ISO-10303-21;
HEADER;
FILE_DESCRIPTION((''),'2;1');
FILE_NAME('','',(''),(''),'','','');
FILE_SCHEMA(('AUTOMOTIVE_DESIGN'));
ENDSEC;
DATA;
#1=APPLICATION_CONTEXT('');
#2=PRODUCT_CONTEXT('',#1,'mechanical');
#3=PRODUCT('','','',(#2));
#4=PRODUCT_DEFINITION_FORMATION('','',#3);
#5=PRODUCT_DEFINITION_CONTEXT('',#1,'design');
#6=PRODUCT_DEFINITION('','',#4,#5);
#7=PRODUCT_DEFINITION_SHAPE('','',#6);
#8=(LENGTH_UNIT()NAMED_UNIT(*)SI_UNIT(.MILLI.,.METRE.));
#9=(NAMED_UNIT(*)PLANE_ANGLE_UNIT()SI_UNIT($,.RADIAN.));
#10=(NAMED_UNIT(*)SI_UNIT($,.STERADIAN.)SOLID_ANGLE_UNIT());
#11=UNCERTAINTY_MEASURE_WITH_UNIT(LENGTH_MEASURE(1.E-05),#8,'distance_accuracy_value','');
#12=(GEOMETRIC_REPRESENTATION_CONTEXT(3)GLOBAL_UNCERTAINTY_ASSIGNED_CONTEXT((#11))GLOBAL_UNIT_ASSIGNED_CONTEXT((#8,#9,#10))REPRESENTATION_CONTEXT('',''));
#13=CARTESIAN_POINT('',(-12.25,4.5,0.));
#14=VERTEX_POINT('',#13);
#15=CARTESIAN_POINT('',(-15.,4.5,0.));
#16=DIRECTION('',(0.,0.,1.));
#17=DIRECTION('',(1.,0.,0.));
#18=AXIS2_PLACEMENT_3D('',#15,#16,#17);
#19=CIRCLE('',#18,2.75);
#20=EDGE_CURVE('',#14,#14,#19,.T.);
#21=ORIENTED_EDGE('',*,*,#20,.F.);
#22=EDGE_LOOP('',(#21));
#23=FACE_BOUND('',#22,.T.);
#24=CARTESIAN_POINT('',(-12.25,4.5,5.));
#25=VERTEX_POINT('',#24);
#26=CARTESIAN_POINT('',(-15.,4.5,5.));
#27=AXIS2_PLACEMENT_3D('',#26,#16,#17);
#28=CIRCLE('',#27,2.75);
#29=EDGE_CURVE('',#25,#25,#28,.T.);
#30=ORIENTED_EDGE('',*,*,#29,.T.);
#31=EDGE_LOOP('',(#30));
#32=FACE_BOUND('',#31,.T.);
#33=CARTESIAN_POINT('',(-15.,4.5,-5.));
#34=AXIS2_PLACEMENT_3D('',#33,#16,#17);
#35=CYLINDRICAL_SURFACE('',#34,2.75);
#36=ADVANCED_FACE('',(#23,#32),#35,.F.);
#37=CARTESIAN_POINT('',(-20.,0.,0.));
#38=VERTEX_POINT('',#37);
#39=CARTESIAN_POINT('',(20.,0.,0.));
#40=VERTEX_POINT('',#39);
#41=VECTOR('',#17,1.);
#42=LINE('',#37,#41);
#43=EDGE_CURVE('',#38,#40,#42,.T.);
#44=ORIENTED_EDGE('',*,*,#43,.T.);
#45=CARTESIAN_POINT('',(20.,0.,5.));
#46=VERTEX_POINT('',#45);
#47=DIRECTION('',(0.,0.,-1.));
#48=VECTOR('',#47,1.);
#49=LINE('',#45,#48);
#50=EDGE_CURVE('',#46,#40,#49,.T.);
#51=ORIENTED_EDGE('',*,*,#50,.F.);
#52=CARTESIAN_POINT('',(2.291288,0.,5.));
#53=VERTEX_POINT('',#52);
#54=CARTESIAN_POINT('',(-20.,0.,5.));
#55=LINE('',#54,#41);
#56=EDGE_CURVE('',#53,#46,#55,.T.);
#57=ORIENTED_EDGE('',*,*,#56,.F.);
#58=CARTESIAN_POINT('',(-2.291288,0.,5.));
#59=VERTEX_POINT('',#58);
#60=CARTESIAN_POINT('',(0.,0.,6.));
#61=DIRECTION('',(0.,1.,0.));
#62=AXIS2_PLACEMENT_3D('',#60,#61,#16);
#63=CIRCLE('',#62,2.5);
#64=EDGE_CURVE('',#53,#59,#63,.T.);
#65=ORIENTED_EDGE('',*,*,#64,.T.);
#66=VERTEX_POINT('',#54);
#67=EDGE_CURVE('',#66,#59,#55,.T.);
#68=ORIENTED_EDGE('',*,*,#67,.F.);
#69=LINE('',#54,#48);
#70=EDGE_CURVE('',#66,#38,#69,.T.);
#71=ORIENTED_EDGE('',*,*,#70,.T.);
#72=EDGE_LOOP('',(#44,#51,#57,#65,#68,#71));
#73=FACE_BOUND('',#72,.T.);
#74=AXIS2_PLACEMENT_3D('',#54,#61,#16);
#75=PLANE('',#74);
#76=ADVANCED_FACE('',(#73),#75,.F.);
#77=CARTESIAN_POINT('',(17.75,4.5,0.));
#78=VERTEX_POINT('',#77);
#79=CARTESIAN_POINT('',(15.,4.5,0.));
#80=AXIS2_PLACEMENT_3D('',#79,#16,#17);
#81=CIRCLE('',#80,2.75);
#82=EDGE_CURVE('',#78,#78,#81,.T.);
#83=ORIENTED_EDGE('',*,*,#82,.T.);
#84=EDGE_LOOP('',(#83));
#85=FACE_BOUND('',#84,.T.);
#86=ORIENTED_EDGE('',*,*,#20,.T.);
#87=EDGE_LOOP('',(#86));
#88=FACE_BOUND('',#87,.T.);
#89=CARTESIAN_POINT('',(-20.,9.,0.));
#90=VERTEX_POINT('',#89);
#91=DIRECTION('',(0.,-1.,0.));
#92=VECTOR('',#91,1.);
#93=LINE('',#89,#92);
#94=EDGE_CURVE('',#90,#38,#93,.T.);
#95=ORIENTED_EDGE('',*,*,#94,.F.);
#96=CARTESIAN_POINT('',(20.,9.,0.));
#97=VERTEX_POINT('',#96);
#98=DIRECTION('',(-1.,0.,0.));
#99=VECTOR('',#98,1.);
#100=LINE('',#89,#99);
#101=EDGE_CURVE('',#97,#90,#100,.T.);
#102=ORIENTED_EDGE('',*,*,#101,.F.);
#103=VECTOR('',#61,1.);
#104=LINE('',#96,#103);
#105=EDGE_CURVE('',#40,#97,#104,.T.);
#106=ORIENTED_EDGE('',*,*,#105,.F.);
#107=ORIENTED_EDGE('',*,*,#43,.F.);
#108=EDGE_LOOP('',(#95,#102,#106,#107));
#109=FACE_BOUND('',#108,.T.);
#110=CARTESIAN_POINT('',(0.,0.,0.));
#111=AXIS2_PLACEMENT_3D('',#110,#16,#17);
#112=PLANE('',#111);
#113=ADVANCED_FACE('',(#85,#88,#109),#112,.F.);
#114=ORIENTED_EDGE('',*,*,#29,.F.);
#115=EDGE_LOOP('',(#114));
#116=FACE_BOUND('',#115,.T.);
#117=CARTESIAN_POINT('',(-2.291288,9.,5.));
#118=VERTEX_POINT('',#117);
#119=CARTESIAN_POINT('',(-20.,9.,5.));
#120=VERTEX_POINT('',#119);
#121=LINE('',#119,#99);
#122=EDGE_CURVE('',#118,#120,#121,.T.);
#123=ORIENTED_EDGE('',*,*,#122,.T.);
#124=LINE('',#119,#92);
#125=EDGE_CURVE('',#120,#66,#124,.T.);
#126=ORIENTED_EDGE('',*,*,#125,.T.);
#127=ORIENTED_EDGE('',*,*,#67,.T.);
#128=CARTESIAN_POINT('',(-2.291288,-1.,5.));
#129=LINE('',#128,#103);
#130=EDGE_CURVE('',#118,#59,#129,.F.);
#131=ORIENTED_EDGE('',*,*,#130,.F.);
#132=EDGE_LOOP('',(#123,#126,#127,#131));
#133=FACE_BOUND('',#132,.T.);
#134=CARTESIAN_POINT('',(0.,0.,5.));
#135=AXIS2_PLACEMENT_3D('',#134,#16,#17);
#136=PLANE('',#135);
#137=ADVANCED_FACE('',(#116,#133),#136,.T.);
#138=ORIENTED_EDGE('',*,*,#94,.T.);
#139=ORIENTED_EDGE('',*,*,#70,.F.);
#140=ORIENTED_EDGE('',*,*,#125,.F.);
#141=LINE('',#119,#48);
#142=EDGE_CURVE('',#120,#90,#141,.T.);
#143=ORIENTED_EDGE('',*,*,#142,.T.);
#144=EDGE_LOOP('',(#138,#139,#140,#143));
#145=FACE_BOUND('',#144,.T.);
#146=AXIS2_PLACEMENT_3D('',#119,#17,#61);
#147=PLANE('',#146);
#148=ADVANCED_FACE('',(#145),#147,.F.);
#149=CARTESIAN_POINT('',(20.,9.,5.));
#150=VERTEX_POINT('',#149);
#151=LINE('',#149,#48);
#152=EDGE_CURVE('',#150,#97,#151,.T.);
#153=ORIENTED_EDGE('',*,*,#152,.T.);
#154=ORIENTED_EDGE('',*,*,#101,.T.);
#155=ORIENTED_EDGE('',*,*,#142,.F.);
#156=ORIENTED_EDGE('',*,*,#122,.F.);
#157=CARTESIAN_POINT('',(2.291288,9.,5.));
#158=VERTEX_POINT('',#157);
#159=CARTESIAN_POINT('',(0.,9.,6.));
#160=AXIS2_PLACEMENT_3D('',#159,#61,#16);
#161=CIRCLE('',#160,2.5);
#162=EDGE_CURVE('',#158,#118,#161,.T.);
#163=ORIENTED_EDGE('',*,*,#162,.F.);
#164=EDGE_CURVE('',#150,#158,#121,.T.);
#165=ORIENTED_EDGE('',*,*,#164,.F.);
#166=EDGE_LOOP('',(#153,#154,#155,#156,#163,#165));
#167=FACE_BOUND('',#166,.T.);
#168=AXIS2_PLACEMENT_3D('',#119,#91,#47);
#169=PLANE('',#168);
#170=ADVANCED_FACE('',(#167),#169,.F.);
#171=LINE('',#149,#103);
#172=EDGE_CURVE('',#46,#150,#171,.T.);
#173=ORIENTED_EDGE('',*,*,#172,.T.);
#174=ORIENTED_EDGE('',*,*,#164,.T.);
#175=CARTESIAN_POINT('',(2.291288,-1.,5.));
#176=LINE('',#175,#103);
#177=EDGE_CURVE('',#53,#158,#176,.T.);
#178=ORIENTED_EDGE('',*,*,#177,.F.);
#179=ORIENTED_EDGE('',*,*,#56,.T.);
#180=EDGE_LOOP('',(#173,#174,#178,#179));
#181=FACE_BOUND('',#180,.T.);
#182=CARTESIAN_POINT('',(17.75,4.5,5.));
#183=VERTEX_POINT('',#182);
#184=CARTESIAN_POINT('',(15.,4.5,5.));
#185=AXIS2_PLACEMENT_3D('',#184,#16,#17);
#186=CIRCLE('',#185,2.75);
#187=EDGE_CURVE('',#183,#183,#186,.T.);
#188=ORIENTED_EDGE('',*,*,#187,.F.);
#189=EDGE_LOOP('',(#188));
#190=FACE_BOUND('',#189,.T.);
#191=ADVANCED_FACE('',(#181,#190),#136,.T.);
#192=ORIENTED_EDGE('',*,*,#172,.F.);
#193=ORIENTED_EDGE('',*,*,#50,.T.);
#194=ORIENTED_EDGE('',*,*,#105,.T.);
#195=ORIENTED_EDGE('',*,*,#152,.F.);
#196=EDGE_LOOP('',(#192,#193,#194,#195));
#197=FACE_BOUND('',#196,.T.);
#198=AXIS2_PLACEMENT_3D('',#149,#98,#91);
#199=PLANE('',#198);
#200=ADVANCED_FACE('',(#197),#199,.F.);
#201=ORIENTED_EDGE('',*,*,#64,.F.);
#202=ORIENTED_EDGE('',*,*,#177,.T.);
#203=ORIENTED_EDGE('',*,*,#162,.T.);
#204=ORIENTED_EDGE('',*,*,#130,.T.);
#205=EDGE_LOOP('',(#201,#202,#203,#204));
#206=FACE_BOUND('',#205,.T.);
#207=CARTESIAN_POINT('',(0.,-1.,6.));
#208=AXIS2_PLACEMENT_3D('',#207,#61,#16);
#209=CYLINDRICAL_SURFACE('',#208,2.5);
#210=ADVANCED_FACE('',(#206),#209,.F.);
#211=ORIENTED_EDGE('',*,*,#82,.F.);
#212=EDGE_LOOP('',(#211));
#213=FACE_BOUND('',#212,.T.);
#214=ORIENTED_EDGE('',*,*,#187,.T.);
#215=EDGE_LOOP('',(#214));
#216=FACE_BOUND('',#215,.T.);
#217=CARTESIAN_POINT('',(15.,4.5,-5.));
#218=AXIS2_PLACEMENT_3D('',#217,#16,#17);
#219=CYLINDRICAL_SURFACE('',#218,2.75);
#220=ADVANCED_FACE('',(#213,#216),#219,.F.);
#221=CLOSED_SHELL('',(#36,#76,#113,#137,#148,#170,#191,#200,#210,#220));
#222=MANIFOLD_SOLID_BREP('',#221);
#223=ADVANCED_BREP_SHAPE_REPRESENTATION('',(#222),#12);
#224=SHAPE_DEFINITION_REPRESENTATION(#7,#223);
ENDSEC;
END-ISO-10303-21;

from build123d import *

# Parameters (mm, degrees)
SKETCH_1_W          = 40
SKETCH_1_H          = 9
EXTRUDE_1_DEPTH     = 5
SKETCH_2_R          = 2.75
CUT_EXTRUDE_1_DEPTH = 10
SKETCH_3_R          = 2.5
CUT_EXTRUDE_2_DEPTH = 10


with BuildPart() as part:
    # 草图1 → 凸台-拉伸1 (new body)
    with BuildSketch(Plane.XY):
        with Locations((0, 4.5)):
            Rectangle(SKETCH_1_W, SKETCH_1_H)
    extrude(amount=EXTRUDE_1_DEPTH)

    # 草图2 → 切除-拉伸1 (cut)
    with BuildSketch(Plane.XY.offset(5)):
        with Locations((15, 4.5)):
            Circle(SKETCH_2_R)
        with Locations((-15, 4.5)):
            Circle(SKETCH_2_R)
    extrude(amount=-CUT_EXTRUDE_1_DEPTH, mode=Mode.SUBTRACT)

    # 草图3 → 切除-拉伸2 (cut)
    with BuildSketch(Plane(origin=(0, 9, 0), x_dir=(1, 0, 0), z_dir=(0, 1, 0))):
        with Locations((0, -6)):
            Circle(SKETCH_3_R)
    extrude(amount=-CUT_EXTRUDE_2_DEPTH, mode=Mode.SUBTRACT)


solid = part.part
